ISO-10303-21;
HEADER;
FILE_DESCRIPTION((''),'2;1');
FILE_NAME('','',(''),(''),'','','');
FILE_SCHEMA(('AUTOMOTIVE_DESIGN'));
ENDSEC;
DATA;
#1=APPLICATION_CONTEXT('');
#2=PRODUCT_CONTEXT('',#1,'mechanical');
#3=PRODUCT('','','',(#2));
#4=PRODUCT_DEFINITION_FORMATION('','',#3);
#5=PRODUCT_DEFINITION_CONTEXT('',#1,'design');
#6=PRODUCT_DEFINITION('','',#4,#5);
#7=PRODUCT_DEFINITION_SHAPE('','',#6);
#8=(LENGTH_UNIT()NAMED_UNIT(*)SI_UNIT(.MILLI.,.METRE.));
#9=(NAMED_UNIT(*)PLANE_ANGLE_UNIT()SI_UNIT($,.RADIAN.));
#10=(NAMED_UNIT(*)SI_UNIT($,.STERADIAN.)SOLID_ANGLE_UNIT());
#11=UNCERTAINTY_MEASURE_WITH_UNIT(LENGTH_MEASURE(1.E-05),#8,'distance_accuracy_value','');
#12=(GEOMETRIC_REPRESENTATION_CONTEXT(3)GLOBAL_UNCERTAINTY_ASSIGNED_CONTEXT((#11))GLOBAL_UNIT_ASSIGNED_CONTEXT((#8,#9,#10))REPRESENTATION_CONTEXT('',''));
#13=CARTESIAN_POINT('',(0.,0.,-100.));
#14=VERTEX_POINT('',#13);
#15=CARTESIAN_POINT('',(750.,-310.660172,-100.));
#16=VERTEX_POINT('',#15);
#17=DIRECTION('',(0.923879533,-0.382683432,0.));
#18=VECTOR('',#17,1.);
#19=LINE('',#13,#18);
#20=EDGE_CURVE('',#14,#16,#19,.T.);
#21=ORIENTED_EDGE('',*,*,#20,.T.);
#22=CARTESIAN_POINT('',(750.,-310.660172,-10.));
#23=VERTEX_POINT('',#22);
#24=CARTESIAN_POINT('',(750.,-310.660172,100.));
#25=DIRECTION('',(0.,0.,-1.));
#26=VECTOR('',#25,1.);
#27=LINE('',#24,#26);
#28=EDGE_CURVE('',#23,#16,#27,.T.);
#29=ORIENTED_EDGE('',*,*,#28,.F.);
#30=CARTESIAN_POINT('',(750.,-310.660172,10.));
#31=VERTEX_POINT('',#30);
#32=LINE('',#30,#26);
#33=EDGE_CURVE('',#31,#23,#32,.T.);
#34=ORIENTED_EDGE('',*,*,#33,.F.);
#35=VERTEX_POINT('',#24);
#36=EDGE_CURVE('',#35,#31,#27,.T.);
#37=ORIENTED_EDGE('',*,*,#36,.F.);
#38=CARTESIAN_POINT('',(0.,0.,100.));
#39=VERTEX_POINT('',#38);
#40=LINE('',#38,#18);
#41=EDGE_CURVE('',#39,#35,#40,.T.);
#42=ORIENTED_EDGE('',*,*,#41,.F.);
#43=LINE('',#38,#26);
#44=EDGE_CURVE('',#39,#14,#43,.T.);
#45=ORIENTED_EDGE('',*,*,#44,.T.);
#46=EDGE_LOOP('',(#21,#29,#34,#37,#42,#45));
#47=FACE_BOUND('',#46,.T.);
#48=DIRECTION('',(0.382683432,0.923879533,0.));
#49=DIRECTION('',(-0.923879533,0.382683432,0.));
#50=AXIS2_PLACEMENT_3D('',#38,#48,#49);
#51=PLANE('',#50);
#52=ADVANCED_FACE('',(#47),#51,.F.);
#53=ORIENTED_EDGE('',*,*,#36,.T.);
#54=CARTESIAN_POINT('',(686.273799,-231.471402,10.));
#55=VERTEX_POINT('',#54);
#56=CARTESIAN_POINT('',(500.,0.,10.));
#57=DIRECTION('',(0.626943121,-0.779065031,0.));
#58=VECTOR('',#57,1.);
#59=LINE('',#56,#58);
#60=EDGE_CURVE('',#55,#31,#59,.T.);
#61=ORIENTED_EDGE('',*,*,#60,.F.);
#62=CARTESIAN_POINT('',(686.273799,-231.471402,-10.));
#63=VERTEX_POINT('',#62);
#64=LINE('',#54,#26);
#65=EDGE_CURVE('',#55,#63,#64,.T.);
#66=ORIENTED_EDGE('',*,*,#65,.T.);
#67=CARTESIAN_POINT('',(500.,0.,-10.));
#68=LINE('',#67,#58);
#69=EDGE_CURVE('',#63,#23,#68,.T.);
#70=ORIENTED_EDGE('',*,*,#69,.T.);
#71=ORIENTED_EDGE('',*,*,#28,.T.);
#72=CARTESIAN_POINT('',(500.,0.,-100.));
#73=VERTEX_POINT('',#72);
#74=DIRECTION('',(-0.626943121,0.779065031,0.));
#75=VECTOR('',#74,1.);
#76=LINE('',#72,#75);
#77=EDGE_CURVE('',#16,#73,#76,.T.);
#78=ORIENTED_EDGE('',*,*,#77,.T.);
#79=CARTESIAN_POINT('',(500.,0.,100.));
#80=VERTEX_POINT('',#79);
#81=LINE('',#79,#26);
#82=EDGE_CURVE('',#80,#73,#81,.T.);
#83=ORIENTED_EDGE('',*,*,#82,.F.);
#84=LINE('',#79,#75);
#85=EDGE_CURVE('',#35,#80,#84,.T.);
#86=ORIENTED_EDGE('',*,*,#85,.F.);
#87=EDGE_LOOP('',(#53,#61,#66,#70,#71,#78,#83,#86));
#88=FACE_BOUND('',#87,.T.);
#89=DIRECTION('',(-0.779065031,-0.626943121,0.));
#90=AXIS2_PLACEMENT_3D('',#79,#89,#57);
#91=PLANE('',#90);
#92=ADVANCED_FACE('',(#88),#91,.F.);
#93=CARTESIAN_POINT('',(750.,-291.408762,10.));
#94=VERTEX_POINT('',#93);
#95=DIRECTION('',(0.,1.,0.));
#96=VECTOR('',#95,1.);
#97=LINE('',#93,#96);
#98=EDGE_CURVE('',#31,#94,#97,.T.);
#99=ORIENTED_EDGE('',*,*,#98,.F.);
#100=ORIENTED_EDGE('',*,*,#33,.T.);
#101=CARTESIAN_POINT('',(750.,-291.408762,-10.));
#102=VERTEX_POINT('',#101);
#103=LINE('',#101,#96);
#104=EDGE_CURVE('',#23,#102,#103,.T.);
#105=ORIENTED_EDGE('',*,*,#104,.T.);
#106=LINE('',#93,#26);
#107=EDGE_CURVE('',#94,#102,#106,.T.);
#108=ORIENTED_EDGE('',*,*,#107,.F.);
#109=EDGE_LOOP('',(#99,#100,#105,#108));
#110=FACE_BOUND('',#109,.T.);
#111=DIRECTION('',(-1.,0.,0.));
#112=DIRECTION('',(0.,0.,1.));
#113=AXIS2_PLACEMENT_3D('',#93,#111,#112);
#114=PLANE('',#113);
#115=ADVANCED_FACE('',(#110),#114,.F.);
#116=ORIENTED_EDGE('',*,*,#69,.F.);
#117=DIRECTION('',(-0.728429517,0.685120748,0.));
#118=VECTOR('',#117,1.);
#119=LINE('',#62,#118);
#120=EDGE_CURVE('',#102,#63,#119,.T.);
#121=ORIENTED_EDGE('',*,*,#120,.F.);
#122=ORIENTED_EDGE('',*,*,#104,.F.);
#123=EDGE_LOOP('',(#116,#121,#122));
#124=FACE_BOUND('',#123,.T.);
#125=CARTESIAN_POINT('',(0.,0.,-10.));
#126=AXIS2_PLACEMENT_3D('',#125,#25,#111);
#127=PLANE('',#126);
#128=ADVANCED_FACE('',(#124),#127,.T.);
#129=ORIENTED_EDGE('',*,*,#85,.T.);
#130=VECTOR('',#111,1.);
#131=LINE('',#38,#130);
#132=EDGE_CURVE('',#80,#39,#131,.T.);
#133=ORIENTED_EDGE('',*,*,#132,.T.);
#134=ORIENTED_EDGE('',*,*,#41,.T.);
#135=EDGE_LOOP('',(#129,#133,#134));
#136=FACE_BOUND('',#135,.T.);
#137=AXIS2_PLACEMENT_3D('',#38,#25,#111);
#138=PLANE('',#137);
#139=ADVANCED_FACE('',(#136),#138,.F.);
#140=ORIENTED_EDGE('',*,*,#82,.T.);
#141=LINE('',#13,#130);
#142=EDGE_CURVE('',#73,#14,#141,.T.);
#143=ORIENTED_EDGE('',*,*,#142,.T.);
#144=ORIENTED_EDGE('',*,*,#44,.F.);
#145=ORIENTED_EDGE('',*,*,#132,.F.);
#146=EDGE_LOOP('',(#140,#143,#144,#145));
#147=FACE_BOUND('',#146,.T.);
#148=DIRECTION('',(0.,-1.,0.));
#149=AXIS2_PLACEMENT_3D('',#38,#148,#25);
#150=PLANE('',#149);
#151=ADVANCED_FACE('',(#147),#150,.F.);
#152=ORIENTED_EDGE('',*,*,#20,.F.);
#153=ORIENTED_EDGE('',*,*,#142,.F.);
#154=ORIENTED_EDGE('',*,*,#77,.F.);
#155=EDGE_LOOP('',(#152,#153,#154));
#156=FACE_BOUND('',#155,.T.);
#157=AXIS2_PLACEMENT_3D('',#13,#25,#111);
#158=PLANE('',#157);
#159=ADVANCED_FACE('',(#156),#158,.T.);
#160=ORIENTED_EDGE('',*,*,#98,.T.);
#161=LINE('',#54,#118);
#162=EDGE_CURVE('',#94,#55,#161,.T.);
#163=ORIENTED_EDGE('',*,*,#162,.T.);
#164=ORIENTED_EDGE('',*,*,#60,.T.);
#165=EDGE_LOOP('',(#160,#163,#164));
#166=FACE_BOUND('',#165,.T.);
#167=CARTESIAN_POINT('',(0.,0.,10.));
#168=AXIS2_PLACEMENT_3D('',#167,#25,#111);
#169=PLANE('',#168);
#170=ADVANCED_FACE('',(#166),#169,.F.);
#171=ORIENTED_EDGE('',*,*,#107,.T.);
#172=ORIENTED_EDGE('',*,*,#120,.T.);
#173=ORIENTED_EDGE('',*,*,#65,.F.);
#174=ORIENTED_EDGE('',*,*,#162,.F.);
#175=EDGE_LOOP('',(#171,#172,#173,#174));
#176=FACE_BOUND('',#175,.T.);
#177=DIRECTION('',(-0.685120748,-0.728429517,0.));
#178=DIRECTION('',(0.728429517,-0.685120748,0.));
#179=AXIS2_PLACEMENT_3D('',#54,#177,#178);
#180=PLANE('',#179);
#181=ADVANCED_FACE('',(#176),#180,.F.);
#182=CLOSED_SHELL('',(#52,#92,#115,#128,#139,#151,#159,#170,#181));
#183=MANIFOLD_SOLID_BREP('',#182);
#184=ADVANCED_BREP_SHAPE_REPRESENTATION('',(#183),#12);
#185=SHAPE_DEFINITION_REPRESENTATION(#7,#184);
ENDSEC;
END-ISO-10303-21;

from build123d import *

# Parameters (mm, degrees)
BOSS_EXTRUDE1_DEPTH = 100
BOSS_EXTRUDE2_DEPTH = 10


with BuildPart() as part:
    # Sketch1 → Boss-Extrude1 (new, symmetric)
    with BuildSketch(Plane.XY):
        Polygon((0, 0), (500, 0), (750, -310.66017178), align=None)
    extrude(amount=BOSS_EXTRUDE1_DEPTH, both=True)

    # Sketch2 → Boss-Extrude2 (add, symmetric)
    with BuildSketch(Plane.XY):
        Polygon((686.273799006, -284.263915049), (686.273799006, -231.471401589), (750, -291.408761965), (750, -310.66017178), align=None)
    extrude(amount=BOSS_EXTRUDE2_DEPTH, both=True)


solid = part.part
